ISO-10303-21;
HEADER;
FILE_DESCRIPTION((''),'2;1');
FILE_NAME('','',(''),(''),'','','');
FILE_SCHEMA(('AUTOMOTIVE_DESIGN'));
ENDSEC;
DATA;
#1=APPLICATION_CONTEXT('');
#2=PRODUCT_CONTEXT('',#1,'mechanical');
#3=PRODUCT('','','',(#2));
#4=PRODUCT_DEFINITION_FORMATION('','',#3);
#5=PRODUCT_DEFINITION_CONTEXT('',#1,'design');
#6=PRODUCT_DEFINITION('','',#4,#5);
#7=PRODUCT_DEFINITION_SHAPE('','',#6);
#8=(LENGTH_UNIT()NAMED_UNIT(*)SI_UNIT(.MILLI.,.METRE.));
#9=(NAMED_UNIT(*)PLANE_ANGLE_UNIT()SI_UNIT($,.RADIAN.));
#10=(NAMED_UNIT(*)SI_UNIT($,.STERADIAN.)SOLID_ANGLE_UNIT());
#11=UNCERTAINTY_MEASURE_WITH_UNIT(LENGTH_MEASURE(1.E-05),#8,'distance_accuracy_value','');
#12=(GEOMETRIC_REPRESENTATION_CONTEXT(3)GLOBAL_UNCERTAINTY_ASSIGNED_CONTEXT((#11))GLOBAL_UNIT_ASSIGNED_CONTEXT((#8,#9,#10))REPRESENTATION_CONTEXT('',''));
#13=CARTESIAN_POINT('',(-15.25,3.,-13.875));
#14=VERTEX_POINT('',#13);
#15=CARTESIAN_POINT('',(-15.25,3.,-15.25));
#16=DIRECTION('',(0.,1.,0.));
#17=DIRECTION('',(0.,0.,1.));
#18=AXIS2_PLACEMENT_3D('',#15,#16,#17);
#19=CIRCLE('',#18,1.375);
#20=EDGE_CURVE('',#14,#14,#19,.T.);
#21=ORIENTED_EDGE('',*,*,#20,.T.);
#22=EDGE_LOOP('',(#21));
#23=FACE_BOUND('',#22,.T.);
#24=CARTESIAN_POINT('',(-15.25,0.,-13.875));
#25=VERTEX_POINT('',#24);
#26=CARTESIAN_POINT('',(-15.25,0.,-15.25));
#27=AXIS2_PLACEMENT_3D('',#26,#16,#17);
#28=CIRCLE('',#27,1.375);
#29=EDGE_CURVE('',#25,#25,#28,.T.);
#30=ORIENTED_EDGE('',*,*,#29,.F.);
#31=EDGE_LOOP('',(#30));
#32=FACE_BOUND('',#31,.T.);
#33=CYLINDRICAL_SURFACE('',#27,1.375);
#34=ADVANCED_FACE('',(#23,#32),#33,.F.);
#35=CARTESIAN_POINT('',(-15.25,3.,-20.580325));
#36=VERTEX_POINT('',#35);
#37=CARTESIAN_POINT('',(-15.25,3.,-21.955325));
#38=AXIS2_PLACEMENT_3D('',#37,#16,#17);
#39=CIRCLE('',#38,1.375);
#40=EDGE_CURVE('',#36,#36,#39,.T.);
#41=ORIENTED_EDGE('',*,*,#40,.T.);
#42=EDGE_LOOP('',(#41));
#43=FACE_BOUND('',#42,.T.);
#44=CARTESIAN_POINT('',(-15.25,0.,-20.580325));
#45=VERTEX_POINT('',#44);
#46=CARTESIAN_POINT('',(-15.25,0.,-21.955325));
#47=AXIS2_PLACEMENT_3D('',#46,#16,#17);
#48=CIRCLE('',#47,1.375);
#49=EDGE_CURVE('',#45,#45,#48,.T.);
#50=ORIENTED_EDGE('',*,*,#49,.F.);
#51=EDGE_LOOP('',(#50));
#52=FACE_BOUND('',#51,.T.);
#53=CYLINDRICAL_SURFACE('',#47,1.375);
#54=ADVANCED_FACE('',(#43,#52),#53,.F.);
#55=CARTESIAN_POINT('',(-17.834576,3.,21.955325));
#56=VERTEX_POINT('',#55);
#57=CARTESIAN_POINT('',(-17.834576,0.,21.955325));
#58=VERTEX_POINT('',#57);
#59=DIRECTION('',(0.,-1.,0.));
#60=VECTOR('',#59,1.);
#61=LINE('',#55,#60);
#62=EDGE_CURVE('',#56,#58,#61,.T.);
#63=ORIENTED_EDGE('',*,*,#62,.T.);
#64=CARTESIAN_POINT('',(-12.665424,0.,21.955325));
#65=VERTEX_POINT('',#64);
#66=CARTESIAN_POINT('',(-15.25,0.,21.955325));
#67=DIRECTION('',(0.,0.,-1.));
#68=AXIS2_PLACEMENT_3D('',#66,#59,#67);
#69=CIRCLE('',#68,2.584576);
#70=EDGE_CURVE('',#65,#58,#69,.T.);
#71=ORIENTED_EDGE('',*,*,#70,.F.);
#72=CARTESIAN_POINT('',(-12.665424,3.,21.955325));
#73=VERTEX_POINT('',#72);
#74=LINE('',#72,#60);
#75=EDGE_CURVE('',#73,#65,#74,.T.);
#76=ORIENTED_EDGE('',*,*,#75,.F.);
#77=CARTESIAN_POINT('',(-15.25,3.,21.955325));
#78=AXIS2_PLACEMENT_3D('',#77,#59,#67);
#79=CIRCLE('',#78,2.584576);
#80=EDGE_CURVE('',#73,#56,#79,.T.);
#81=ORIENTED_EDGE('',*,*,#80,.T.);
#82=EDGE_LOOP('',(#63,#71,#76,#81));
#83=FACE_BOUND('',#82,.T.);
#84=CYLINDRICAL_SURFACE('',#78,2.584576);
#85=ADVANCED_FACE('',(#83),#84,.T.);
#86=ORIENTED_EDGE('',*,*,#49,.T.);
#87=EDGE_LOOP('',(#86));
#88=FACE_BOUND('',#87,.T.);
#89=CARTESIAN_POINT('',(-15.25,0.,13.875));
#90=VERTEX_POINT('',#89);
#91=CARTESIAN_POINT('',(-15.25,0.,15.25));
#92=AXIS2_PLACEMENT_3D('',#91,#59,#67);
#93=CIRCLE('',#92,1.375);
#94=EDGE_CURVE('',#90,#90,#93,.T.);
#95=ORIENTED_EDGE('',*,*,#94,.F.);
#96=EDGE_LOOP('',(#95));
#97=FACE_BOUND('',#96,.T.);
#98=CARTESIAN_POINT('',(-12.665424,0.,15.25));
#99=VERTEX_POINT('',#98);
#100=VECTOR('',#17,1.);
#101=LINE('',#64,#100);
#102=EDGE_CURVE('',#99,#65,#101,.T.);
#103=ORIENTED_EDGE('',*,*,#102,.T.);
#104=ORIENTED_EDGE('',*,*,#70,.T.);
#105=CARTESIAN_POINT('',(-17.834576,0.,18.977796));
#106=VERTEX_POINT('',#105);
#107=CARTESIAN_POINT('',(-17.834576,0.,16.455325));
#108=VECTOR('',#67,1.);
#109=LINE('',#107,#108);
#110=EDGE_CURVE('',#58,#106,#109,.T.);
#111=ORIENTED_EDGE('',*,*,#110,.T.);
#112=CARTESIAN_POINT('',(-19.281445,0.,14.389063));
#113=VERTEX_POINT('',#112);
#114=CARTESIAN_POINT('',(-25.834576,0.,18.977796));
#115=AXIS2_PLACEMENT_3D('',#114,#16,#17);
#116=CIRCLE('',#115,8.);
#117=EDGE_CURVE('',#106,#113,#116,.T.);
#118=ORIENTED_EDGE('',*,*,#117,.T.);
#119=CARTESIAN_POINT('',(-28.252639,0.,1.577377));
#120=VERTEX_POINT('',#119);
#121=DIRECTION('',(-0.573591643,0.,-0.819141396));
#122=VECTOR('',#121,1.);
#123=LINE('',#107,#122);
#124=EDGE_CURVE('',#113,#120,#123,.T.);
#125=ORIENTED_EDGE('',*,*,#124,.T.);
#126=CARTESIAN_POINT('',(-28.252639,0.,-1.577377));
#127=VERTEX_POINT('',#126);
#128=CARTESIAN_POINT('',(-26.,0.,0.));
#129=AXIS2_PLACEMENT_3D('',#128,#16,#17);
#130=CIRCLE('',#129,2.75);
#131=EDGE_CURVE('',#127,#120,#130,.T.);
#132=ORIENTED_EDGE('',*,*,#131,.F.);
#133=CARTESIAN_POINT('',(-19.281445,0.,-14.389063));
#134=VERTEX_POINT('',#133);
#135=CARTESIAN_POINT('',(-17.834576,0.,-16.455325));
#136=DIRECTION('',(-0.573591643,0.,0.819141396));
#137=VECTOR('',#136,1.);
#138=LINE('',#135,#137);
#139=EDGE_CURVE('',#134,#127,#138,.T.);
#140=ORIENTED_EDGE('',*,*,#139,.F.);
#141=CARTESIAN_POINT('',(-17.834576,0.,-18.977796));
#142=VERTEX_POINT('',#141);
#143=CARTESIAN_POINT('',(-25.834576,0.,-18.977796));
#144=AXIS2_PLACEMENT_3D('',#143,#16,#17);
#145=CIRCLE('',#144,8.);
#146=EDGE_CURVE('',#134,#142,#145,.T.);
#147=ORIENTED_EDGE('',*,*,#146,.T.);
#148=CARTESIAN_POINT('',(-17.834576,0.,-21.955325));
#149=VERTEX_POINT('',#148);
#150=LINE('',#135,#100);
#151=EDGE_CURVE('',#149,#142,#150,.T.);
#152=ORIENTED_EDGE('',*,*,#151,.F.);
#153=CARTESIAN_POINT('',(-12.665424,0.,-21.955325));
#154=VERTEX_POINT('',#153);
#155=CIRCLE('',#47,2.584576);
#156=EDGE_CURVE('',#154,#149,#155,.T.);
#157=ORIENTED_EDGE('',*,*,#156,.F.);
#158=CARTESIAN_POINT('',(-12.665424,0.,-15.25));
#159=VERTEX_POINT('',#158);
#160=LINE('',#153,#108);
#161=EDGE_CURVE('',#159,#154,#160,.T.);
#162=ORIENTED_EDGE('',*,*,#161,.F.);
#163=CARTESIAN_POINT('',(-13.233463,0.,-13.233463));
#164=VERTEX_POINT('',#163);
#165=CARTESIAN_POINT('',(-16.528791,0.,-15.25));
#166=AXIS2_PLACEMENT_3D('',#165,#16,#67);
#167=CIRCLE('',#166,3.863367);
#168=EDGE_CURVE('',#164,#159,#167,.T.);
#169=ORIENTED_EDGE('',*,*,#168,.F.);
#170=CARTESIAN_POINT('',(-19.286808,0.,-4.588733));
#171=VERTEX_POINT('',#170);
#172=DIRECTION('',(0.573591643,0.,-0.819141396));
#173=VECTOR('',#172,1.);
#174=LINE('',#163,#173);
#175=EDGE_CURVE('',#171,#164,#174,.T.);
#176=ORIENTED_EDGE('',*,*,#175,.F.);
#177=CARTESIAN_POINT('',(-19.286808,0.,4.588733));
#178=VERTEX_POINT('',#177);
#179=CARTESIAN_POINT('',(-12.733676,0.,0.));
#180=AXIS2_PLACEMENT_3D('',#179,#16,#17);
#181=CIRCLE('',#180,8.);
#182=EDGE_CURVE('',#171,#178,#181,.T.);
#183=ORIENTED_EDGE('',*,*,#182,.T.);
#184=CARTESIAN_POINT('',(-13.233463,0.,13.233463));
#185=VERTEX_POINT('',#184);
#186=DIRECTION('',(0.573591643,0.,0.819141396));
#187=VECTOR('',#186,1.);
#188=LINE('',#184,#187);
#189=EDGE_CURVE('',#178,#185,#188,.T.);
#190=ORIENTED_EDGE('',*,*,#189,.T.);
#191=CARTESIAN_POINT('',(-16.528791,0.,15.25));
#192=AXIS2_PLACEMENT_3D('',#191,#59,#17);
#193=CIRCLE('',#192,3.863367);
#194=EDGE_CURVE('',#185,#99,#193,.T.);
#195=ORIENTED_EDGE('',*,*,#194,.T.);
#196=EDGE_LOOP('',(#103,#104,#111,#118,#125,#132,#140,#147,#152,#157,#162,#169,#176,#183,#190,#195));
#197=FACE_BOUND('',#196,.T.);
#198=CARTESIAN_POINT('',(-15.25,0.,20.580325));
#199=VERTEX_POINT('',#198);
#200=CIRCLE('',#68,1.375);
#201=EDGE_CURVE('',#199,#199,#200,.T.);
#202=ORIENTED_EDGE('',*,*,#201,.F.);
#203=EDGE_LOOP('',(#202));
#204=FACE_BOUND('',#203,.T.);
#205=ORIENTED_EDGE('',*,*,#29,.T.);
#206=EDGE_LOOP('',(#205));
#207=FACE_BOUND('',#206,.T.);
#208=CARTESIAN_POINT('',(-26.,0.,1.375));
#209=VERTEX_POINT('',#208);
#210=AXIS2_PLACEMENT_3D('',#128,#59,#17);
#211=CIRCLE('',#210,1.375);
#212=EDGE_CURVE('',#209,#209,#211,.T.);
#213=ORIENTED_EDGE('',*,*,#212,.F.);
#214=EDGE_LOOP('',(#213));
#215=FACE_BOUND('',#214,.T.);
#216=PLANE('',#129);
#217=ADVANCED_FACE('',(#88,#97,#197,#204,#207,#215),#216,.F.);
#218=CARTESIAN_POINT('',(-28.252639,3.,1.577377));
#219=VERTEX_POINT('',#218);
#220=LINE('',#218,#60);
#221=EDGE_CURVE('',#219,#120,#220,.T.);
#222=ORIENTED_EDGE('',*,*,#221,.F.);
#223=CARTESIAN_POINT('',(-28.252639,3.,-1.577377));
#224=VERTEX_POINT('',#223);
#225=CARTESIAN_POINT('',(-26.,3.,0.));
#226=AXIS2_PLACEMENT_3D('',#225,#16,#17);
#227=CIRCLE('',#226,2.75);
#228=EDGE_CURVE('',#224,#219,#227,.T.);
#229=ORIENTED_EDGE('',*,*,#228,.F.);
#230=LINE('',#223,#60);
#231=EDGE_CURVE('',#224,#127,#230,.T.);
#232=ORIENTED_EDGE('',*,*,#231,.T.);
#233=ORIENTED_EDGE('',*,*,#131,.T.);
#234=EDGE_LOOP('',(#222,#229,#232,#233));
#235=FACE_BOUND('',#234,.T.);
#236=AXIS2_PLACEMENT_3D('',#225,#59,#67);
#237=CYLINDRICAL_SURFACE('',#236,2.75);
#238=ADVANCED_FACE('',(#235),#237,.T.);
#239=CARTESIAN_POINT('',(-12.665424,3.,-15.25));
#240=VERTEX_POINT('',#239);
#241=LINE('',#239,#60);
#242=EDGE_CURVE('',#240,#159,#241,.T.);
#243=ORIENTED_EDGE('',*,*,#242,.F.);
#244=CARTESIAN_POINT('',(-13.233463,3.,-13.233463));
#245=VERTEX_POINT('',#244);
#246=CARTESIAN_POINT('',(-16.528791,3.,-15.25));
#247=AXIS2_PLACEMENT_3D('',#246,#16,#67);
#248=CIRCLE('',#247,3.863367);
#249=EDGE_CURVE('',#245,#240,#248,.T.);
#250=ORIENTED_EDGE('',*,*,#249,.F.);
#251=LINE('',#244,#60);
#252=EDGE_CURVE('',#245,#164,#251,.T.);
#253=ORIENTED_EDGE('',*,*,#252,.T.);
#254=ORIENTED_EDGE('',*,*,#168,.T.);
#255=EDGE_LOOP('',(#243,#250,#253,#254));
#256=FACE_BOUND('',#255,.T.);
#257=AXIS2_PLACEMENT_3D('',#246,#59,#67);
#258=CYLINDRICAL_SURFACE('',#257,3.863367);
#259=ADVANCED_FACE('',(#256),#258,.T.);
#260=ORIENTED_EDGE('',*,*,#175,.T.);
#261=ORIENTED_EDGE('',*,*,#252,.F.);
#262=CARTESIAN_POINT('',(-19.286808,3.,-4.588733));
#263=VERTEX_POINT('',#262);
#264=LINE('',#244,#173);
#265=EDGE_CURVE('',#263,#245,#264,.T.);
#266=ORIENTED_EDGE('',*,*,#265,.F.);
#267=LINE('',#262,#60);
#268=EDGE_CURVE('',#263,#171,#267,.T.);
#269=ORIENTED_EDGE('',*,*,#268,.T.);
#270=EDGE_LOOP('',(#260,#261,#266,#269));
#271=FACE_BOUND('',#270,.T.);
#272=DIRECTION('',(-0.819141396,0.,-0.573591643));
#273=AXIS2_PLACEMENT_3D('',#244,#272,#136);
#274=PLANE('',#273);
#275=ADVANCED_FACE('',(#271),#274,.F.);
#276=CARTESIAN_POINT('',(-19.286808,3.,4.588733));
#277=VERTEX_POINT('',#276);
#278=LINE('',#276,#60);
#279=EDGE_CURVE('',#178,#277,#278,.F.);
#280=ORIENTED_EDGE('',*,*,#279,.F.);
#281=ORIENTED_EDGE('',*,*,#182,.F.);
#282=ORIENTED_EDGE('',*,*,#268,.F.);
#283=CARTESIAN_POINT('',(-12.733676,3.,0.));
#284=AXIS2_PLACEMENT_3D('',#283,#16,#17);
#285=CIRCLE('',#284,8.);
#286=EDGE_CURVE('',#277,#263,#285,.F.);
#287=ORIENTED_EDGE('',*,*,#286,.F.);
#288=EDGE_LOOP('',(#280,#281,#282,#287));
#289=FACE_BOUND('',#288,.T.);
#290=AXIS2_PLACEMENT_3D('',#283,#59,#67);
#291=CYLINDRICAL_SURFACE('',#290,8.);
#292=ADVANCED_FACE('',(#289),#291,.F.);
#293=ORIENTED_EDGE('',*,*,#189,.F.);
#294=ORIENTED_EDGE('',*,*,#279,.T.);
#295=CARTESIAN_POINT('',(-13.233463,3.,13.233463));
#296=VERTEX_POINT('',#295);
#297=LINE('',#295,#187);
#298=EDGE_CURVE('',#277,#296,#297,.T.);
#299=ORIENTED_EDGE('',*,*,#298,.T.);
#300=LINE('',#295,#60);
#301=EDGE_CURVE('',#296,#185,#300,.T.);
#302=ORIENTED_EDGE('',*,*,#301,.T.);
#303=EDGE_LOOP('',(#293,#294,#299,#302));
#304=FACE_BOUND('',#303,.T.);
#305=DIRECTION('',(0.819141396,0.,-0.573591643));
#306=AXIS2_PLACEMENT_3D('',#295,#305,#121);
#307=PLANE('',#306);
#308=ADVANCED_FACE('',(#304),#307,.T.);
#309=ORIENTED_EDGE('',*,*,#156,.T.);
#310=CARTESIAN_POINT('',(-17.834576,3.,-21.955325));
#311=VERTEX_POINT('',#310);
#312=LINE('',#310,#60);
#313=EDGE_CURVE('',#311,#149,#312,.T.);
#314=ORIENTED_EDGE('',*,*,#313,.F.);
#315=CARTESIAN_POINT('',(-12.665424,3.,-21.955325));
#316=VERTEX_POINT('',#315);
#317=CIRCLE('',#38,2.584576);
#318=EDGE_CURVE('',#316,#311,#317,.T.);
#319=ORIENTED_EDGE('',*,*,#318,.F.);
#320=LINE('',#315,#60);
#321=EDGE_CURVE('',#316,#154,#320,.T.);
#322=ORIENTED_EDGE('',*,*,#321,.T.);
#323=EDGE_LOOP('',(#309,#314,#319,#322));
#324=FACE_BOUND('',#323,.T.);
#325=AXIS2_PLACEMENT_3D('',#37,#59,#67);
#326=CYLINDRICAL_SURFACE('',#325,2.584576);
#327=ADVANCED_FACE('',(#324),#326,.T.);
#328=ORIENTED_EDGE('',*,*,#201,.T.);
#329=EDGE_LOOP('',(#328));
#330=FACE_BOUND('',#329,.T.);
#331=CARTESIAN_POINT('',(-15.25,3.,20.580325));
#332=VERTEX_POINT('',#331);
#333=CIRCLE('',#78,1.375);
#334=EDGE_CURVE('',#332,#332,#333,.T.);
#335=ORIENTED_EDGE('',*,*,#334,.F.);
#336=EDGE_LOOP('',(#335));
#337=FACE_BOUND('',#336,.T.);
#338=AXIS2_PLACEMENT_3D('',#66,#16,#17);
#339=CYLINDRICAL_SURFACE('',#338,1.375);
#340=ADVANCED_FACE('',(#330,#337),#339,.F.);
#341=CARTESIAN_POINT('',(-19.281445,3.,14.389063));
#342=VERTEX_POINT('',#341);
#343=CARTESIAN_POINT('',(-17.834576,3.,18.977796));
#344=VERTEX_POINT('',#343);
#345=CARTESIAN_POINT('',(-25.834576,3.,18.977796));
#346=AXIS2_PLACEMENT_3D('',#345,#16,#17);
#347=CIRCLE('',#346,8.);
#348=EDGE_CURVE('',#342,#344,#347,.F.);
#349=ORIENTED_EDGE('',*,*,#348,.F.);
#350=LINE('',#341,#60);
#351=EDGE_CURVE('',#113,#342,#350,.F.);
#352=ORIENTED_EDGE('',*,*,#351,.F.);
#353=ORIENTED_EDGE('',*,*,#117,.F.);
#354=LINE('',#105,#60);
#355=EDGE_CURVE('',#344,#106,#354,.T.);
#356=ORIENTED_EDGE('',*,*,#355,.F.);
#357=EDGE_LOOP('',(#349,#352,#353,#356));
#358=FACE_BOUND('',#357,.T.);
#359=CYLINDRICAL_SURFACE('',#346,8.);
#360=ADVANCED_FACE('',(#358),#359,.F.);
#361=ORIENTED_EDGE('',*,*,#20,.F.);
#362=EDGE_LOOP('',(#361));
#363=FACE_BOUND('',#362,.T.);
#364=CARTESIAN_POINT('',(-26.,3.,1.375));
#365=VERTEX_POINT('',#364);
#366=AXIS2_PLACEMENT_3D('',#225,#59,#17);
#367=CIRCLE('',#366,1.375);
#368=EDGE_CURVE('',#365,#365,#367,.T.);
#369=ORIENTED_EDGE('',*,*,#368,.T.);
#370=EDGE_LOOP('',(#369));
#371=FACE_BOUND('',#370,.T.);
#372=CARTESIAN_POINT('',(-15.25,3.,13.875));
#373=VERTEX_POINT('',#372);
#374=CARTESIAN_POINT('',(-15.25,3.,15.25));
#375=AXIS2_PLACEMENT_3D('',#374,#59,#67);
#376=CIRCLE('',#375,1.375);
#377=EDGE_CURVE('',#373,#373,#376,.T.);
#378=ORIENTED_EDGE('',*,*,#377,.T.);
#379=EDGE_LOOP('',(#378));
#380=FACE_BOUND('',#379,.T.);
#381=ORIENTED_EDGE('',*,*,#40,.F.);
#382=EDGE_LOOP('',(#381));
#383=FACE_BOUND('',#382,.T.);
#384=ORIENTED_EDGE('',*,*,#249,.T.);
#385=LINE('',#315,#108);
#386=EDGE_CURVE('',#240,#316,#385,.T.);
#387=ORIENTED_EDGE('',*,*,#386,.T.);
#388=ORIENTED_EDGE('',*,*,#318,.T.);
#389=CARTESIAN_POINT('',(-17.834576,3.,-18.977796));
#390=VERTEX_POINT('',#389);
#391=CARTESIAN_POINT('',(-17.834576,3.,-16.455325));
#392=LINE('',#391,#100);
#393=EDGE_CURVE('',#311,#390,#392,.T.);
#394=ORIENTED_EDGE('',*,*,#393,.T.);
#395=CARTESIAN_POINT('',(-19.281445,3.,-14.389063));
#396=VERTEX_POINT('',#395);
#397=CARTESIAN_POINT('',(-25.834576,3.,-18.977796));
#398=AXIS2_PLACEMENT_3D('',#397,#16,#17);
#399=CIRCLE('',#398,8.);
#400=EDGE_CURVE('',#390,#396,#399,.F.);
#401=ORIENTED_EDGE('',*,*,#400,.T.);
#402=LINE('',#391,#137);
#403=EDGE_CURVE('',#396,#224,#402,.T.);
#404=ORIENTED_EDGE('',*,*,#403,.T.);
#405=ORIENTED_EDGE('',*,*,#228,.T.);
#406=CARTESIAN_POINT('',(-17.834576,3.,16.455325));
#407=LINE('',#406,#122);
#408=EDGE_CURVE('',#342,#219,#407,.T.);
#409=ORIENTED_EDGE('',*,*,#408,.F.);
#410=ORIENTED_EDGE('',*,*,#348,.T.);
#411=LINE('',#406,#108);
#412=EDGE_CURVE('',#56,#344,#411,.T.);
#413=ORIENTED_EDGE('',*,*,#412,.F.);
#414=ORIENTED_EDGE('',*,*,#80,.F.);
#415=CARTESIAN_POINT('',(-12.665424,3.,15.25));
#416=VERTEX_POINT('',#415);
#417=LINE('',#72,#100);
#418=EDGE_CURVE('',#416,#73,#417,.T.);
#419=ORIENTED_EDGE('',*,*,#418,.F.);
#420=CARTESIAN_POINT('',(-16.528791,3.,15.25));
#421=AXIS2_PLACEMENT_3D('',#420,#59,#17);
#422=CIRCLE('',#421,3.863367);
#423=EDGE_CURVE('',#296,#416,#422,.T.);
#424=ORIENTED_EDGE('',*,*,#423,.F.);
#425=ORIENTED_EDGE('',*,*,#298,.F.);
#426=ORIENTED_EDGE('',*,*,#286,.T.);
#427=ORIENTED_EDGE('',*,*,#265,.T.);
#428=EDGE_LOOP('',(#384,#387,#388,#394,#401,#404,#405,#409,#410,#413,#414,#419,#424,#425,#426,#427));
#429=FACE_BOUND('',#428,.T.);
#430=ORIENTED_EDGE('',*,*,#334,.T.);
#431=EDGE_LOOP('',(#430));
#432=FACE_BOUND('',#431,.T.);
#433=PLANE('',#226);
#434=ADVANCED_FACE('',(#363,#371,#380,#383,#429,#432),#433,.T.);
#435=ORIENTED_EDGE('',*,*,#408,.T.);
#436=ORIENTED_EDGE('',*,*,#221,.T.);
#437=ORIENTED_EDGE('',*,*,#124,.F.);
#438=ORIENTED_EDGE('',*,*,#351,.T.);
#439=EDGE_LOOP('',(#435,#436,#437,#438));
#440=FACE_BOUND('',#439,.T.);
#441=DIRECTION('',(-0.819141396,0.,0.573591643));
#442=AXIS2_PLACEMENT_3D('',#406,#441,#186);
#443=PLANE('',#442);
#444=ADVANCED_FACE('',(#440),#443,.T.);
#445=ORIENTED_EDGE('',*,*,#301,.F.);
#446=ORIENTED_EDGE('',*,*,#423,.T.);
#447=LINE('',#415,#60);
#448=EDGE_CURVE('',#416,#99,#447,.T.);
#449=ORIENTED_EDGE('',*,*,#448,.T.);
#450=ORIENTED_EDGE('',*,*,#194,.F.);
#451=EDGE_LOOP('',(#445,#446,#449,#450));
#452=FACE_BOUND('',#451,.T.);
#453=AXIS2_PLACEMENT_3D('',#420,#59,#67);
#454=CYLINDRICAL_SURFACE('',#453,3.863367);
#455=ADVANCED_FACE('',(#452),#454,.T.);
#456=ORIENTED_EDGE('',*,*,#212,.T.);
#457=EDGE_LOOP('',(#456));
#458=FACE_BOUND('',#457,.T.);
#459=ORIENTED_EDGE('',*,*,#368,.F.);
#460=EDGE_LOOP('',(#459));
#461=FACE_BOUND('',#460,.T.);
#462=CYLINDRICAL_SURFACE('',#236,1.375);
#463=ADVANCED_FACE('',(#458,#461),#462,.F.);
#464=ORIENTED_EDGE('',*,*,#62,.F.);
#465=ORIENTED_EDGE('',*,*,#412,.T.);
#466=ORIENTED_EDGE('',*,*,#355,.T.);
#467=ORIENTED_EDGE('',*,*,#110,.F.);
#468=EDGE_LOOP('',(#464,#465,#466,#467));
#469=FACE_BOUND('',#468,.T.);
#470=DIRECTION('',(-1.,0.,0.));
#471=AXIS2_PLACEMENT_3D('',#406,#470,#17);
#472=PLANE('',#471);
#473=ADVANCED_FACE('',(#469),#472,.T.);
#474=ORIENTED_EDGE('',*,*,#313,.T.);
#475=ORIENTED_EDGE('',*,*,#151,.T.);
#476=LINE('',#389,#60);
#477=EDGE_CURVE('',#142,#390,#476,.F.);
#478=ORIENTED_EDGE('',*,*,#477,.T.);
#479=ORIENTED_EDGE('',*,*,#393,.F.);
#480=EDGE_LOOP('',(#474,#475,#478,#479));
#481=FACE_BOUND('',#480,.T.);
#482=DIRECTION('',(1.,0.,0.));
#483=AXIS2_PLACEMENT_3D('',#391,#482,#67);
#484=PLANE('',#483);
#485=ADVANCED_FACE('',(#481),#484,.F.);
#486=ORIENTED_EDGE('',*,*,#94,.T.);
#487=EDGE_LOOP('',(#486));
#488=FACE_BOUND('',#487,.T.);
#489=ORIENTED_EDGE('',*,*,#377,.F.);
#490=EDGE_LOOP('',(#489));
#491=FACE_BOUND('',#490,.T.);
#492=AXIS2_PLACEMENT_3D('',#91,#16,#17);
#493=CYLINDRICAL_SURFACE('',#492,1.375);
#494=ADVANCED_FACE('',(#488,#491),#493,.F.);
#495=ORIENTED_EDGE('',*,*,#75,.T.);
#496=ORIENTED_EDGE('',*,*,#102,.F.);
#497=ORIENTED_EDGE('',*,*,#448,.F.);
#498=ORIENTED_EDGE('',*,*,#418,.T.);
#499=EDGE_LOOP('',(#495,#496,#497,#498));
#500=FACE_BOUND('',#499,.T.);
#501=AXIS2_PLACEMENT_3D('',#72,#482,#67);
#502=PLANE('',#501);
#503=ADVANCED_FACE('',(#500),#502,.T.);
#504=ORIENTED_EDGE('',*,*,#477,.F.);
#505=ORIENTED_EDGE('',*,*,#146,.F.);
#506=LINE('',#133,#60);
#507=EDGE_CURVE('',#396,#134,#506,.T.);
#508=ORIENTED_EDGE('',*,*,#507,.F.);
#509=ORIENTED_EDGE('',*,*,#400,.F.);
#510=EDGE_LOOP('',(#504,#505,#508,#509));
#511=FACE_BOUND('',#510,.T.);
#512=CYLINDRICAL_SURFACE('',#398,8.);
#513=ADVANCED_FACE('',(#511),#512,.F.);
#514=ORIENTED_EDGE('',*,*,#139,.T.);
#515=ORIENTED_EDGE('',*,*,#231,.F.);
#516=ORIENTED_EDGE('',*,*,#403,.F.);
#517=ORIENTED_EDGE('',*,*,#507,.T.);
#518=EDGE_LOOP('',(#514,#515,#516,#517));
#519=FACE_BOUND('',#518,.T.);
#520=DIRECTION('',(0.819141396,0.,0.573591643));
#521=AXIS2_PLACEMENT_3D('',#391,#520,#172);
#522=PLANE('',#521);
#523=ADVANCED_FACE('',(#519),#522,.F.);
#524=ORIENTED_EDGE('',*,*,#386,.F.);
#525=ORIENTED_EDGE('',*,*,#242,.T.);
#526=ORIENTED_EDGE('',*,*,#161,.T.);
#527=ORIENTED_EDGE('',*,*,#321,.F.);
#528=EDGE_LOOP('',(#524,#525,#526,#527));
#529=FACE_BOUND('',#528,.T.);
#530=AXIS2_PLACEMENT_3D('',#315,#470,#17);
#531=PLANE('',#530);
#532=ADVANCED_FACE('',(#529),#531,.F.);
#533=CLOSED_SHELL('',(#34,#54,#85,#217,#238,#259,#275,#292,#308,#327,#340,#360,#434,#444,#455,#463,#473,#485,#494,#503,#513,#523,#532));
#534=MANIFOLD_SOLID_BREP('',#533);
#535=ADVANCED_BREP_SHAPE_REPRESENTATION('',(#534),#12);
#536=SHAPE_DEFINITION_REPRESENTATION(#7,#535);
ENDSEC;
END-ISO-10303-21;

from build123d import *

# Parameters (mm, degrees)
BOSS_EXTRUDE1_DEPTH = 3
SKETCH3_R           = 1.375
CUT_EXTRUDE1_DEPTH  = 4
FILLET1_R           = 8


with BuildPart() as part:
    # Sketch2 → Boss-Extrude1 (new body)
    with BuildSketch(Plane(origin=(0, 0, 0), x_dir=(1, 0, 0), z_dir=(0, 1, 0))):
        with BuildLine():
            Line((-12.66542378, 21.955324516), (-12.66542378, 15.25))
            ThreePointArc((-12.66542378, 15.25), (-12.810144222, 14.202492305), (-13.233463188, 13.233463188))
            Line((-13.233463188, 13.233463188), (-22.5, 0))
            Line((-22.5, 0), (-24.625, 0))
            ThreePointArc((-24.625, 0), (-26, 1.375), (-27.375, 0))
            Line((-27.375, 0), (-28.75, 0))
            ThreePointArc((-28.75, 0), (-28.622713939, 0.826965294), (-28.252638839, 1.57737702))
            Line((-28.252638839, 1.57737702), (-17.83457622, 16.455324516))
            Line((-17.83457622, 16.455324516), (-17.83457622, 21.955324516))
            ThreePointArc((-17.83457622, 21.955324516), (-15.25, 24.539900736), (-12.66542378, 21.955324516))
        make_face()
    boss_extrude1 = extrude(amount=BOSS_EXTRUDE1_DEPTH)

    # Sketch3 → Cut-Extrude1 (cut, through all)
    with BuildSketch(Plane(origin=(0, 3, 0), x_dir=(1, 0, 0), z_dir=(0, 1, 0))):
        with Locations((-15.25, 15.25)):
            Circle(SKETCH3_R)
        with Locations((-15.25, 21.955324516)):
            Circle(SKETCH3_R)
    cut_extrude1 = extrude(amount=-CUT_EXTRUDE1_DEPTH, mode=Mode.SUBTRACT)

    # Mirror2: Boss-Extrude1, Cut-Extrude1 across plane
    add(boss_extrude1.mirror(Plane(origin=(-22.5, 3, 0), x_dir=(1, 0, 0), z_dir=(0, 0, -1))))
    add(cut_extrude1.mirror(Plane(origin=(-22.5, 3, 0), x_dir=(1, 0, 0), z_dir=(0, 0, -1))), mode=Mode.SUBTRACT)

    # Fillet1
    fillet1_edges = [part.edges().sort_by_distance(p)[0] for p in [
        (-17.83457622, 1.5, -16.455324516),
        (-22.5, 1.5, 0),
        (-17.83457622, 1.5, 16.455324516),
    ]]
    fillet(fillet1_edges, radius=FILLET1_R)


solid = part.part
